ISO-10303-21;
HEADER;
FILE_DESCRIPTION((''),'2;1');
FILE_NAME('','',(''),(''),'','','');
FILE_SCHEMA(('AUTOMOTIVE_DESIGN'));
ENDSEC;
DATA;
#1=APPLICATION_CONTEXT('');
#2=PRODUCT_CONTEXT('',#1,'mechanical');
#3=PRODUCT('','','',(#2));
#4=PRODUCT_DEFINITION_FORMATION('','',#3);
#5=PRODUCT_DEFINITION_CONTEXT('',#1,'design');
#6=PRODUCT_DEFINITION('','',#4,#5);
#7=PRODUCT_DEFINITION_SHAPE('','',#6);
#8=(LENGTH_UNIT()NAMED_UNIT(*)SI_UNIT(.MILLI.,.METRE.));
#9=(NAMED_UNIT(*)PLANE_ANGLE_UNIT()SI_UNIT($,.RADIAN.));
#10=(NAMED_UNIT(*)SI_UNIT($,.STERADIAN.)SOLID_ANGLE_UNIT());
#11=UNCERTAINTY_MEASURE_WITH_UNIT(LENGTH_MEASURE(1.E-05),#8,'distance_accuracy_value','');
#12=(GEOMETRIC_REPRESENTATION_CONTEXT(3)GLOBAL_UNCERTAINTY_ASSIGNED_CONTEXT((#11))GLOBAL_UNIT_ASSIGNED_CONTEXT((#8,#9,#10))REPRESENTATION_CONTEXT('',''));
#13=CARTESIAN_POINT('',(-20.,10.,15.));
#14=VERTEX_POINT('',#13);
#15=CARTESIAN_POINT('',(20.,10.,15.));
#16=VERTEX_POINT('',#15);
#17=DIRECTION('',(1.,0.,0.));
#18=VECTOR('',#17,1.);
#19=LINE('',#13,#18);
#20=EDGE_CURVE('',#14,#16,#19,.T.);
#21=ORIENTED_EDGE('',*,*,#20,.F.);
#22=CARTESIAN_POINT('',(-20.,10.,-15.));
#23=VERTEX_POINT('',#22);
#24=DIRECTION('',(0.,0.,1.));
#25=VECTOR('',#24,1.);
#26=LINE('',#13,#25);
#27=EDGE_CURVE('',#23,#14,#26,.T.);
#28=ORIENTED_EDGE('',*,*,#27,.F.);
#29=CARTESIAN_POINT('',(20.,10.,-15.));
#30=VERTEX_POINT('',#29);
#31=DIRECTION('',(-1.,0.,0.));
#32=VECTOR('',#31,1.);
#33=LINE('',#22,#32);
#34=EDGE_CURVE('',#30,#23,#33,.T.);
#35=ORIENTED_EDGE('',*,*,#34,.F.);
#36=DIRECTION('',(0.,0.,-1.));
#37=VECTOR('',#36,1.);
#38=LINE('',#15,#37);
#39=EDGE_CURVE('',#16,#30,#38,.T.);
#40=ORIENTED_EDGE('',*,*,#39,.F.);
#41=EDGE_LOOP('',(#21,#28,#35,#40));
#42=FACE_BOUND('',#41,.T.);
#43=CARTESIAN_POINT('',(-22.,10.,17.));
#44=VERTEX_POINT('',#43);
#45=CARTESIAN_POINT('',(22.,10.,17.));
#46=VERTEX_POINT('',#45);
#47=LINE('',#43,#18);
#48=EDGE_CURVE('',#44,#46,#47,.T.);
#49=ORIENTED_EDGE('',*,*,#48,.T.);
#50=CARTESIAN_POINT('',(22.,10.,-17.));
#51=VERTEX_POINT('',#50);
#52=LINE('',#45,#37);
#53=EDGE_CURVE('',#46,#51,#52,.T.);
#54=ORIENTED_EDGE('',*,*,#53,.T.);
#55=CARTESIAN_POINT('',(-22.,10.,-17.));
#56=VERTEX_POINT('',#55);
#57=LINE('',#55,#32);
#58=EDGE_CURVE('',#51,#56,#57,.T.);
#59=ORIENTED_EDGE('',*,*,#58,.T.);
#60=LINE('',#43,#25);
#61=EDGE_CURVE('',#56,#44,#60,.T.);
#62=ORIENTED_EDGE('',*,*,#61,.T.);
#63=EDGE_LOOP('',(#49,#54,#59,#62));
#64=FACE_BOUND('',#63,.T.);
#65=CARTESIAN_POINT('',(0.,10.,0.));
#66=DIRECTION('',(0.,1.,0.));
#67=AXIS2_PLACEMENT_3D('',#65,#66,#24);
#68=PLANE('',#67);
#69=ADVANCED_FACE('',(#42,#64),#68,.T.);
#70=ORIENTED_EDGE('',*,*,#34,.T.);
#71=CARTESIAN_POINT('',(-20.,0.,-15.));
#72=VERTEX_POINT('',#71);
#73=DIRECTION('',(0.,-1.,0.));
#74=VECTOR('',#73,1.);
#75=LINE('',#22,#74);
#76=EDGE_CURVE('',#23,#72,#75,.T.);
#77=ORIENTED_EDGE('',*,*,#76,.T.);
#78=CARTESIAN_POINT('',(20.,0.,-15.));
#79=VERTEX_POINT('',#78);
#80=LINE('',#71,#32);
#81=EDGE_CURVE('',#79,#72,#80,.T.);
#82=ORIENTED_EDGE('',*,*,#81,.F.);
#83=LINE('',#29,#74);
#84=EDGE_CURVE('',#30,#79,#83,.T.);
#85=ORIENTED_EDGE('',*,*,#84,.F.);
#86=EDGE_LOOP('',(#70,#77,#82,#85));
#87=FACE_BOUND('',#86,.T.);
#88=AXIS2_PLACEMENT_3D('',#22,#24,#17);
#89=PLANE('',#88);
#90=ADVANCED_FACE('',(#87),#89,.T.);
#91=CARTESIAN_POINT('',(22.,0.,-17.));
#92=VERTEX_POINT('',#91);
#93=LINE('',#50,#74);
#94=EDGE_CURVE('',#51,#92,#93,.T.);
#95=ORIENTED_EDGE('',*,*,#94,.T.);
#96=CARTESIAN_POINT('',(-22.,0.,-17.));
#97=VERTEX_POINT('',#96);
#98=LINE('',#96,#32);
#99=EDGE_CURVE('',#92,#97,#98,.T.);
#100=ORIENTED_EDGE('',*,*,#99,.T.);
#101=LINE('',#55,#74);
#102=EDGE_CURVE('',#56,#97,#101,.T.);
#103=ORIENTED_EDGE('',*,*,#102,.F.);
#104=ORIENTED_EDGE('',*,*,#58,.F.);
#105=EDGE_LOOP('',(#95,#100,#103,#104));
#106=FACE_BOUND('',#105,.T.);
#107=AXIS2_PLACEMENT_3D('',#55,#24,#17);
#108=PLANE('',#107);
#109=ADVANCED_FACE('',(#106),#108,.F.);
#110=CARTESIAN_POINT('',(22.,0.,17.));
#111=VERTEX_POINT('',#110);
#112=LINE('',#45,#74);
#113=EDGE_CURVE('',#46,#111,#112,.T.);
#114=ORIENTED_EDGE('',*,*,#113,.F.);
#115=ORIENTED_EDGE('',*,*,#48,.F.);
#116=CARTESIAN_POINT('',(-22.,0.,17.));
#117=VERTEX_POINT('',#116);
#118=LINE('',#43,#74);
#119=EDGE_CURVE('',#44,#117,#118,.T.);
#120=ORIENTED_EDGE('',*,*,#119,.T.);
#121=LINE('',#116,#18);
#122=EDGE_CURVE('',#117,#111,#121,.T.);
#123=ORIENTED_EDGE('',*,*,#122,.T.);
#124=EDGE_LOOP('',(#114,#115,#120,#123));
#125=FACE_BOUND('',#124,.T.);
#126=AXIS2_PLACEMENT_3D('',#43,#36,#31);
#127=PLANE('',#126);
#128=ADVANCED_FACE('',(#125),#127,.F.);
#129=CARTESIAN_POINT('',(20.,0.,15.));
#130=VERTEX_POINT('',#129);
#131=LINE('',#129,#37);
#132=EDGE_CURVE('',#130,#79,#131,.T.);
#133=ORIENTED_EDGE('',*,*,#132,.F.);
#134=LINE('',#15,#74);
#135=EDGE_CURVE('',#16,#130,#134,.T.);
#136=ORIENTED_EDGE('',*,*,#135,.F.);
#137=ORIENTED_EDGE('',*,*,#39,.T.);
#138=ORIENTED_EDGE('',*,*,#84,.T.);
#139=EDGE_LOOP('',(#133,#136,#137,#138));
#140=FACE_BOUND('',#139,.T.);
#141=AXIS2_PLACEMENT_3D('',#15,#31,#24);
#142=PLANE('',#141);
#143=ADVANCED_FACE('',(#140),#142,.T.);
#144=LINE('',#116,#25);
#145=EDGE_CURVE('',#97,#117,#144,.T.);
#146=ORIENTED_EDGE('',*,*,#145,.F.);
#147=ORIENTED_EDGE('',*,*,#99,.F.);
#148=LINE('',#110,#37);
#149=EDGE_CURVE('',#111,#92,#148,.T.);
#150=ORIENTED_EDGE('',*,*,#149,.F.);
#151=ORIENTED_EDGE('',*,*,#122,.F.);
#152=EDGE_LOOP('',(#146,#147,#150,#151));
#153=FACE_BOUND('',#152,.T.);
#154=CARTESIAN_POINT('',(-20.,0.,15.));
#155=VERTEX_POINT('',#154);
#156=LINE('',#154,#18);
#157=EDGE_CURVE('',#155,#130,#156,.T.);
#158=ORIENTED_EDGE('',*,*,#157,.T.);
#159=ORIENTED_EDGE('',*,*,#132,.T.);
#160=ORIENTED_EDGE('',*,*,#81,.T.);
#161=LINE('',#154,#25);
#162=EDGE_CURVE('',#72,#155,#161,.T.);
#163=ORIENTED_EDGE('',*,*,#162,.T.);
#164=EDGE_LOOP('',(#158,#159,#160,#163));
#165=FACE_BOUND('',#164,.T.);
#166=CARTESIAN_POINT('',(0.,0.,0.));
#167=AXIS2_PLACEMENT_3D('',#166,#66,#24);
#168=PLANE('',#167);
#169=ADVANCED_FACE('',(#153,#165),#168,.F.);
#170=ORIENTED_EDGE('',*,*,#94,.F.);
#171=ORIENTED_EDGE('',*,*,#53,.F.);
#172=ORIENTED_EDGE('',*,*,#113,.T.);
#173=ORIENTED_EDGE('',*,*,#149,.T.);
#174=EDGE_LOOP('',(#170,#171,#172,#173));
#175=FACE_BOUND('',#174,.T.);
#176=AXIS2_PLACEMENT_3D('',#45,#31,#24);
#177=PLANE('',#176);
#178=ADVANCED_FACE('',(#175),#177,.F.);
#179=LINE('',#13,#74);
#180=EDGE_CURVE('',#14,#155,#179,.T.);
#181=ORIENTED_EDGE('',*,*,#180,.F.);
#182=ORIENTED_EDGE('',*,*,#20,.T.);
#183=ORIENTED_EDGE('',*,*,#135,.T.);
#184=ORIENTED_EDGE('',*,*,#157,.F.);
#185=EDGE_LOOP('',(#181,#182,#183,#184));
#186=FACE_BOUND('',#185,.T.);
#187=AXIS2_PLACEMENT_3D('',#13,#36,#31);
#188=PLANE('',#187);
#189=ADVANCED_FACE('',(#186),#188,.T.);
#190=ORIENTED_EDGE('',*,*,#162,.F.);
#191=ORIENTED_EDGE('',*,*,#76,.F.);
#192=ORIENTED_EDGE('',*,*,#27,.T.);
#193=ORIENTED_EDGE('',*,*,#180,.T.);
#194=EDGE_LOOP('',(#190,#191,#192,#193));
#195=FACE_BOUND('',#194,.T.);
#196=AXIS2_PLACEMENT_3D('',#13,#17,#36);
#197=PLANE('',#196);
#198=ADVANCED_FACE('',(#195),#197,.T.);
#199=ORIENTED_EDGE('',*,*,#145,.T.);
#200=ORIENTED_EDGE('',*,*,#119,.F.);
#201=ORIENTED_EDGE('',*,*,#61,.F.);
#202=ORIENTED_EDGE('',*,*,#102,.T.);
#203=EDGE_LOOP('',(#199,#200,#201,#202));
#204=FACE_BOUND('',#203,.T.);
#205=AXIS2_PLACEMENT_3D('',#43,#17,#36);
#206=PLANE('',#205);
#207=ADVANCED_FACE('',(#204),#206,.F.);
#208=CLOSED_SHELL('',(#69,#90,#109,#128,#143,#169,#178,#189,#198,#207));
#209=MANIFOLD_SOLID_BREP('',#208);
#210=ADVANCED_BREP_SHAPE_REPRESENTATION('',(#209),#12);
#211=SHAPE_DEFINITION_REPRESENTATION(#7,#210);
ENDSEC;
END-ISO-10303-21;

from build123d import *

# Parameters (mm, degrees)
SKETCH_1_W      = 44
SKETCH_1_H      = 34
SKETCH_1_W_2    = 40
SKETCH_1_H_2    = 30
EXTRUDE_1_DEPTH = 10


with BuildPart() as part:
    # 草图1 → 凸台-拉伸1 (new body)
    with BuildSketch(Plane(origin=(0, 0, 0), x_dir=(1, 0, 0), z_dir=(0, 1, 0))):
        Rectangle(SKETCH_1_W, SKETCH_1_H)
        Rectangle(SKETCH_1_W_2, SKETCH_1_H_2, mode=Mode.SUBTRACT)
    extrude(amount=EXTRUDE_1_DEPTH)


solid = part.part
